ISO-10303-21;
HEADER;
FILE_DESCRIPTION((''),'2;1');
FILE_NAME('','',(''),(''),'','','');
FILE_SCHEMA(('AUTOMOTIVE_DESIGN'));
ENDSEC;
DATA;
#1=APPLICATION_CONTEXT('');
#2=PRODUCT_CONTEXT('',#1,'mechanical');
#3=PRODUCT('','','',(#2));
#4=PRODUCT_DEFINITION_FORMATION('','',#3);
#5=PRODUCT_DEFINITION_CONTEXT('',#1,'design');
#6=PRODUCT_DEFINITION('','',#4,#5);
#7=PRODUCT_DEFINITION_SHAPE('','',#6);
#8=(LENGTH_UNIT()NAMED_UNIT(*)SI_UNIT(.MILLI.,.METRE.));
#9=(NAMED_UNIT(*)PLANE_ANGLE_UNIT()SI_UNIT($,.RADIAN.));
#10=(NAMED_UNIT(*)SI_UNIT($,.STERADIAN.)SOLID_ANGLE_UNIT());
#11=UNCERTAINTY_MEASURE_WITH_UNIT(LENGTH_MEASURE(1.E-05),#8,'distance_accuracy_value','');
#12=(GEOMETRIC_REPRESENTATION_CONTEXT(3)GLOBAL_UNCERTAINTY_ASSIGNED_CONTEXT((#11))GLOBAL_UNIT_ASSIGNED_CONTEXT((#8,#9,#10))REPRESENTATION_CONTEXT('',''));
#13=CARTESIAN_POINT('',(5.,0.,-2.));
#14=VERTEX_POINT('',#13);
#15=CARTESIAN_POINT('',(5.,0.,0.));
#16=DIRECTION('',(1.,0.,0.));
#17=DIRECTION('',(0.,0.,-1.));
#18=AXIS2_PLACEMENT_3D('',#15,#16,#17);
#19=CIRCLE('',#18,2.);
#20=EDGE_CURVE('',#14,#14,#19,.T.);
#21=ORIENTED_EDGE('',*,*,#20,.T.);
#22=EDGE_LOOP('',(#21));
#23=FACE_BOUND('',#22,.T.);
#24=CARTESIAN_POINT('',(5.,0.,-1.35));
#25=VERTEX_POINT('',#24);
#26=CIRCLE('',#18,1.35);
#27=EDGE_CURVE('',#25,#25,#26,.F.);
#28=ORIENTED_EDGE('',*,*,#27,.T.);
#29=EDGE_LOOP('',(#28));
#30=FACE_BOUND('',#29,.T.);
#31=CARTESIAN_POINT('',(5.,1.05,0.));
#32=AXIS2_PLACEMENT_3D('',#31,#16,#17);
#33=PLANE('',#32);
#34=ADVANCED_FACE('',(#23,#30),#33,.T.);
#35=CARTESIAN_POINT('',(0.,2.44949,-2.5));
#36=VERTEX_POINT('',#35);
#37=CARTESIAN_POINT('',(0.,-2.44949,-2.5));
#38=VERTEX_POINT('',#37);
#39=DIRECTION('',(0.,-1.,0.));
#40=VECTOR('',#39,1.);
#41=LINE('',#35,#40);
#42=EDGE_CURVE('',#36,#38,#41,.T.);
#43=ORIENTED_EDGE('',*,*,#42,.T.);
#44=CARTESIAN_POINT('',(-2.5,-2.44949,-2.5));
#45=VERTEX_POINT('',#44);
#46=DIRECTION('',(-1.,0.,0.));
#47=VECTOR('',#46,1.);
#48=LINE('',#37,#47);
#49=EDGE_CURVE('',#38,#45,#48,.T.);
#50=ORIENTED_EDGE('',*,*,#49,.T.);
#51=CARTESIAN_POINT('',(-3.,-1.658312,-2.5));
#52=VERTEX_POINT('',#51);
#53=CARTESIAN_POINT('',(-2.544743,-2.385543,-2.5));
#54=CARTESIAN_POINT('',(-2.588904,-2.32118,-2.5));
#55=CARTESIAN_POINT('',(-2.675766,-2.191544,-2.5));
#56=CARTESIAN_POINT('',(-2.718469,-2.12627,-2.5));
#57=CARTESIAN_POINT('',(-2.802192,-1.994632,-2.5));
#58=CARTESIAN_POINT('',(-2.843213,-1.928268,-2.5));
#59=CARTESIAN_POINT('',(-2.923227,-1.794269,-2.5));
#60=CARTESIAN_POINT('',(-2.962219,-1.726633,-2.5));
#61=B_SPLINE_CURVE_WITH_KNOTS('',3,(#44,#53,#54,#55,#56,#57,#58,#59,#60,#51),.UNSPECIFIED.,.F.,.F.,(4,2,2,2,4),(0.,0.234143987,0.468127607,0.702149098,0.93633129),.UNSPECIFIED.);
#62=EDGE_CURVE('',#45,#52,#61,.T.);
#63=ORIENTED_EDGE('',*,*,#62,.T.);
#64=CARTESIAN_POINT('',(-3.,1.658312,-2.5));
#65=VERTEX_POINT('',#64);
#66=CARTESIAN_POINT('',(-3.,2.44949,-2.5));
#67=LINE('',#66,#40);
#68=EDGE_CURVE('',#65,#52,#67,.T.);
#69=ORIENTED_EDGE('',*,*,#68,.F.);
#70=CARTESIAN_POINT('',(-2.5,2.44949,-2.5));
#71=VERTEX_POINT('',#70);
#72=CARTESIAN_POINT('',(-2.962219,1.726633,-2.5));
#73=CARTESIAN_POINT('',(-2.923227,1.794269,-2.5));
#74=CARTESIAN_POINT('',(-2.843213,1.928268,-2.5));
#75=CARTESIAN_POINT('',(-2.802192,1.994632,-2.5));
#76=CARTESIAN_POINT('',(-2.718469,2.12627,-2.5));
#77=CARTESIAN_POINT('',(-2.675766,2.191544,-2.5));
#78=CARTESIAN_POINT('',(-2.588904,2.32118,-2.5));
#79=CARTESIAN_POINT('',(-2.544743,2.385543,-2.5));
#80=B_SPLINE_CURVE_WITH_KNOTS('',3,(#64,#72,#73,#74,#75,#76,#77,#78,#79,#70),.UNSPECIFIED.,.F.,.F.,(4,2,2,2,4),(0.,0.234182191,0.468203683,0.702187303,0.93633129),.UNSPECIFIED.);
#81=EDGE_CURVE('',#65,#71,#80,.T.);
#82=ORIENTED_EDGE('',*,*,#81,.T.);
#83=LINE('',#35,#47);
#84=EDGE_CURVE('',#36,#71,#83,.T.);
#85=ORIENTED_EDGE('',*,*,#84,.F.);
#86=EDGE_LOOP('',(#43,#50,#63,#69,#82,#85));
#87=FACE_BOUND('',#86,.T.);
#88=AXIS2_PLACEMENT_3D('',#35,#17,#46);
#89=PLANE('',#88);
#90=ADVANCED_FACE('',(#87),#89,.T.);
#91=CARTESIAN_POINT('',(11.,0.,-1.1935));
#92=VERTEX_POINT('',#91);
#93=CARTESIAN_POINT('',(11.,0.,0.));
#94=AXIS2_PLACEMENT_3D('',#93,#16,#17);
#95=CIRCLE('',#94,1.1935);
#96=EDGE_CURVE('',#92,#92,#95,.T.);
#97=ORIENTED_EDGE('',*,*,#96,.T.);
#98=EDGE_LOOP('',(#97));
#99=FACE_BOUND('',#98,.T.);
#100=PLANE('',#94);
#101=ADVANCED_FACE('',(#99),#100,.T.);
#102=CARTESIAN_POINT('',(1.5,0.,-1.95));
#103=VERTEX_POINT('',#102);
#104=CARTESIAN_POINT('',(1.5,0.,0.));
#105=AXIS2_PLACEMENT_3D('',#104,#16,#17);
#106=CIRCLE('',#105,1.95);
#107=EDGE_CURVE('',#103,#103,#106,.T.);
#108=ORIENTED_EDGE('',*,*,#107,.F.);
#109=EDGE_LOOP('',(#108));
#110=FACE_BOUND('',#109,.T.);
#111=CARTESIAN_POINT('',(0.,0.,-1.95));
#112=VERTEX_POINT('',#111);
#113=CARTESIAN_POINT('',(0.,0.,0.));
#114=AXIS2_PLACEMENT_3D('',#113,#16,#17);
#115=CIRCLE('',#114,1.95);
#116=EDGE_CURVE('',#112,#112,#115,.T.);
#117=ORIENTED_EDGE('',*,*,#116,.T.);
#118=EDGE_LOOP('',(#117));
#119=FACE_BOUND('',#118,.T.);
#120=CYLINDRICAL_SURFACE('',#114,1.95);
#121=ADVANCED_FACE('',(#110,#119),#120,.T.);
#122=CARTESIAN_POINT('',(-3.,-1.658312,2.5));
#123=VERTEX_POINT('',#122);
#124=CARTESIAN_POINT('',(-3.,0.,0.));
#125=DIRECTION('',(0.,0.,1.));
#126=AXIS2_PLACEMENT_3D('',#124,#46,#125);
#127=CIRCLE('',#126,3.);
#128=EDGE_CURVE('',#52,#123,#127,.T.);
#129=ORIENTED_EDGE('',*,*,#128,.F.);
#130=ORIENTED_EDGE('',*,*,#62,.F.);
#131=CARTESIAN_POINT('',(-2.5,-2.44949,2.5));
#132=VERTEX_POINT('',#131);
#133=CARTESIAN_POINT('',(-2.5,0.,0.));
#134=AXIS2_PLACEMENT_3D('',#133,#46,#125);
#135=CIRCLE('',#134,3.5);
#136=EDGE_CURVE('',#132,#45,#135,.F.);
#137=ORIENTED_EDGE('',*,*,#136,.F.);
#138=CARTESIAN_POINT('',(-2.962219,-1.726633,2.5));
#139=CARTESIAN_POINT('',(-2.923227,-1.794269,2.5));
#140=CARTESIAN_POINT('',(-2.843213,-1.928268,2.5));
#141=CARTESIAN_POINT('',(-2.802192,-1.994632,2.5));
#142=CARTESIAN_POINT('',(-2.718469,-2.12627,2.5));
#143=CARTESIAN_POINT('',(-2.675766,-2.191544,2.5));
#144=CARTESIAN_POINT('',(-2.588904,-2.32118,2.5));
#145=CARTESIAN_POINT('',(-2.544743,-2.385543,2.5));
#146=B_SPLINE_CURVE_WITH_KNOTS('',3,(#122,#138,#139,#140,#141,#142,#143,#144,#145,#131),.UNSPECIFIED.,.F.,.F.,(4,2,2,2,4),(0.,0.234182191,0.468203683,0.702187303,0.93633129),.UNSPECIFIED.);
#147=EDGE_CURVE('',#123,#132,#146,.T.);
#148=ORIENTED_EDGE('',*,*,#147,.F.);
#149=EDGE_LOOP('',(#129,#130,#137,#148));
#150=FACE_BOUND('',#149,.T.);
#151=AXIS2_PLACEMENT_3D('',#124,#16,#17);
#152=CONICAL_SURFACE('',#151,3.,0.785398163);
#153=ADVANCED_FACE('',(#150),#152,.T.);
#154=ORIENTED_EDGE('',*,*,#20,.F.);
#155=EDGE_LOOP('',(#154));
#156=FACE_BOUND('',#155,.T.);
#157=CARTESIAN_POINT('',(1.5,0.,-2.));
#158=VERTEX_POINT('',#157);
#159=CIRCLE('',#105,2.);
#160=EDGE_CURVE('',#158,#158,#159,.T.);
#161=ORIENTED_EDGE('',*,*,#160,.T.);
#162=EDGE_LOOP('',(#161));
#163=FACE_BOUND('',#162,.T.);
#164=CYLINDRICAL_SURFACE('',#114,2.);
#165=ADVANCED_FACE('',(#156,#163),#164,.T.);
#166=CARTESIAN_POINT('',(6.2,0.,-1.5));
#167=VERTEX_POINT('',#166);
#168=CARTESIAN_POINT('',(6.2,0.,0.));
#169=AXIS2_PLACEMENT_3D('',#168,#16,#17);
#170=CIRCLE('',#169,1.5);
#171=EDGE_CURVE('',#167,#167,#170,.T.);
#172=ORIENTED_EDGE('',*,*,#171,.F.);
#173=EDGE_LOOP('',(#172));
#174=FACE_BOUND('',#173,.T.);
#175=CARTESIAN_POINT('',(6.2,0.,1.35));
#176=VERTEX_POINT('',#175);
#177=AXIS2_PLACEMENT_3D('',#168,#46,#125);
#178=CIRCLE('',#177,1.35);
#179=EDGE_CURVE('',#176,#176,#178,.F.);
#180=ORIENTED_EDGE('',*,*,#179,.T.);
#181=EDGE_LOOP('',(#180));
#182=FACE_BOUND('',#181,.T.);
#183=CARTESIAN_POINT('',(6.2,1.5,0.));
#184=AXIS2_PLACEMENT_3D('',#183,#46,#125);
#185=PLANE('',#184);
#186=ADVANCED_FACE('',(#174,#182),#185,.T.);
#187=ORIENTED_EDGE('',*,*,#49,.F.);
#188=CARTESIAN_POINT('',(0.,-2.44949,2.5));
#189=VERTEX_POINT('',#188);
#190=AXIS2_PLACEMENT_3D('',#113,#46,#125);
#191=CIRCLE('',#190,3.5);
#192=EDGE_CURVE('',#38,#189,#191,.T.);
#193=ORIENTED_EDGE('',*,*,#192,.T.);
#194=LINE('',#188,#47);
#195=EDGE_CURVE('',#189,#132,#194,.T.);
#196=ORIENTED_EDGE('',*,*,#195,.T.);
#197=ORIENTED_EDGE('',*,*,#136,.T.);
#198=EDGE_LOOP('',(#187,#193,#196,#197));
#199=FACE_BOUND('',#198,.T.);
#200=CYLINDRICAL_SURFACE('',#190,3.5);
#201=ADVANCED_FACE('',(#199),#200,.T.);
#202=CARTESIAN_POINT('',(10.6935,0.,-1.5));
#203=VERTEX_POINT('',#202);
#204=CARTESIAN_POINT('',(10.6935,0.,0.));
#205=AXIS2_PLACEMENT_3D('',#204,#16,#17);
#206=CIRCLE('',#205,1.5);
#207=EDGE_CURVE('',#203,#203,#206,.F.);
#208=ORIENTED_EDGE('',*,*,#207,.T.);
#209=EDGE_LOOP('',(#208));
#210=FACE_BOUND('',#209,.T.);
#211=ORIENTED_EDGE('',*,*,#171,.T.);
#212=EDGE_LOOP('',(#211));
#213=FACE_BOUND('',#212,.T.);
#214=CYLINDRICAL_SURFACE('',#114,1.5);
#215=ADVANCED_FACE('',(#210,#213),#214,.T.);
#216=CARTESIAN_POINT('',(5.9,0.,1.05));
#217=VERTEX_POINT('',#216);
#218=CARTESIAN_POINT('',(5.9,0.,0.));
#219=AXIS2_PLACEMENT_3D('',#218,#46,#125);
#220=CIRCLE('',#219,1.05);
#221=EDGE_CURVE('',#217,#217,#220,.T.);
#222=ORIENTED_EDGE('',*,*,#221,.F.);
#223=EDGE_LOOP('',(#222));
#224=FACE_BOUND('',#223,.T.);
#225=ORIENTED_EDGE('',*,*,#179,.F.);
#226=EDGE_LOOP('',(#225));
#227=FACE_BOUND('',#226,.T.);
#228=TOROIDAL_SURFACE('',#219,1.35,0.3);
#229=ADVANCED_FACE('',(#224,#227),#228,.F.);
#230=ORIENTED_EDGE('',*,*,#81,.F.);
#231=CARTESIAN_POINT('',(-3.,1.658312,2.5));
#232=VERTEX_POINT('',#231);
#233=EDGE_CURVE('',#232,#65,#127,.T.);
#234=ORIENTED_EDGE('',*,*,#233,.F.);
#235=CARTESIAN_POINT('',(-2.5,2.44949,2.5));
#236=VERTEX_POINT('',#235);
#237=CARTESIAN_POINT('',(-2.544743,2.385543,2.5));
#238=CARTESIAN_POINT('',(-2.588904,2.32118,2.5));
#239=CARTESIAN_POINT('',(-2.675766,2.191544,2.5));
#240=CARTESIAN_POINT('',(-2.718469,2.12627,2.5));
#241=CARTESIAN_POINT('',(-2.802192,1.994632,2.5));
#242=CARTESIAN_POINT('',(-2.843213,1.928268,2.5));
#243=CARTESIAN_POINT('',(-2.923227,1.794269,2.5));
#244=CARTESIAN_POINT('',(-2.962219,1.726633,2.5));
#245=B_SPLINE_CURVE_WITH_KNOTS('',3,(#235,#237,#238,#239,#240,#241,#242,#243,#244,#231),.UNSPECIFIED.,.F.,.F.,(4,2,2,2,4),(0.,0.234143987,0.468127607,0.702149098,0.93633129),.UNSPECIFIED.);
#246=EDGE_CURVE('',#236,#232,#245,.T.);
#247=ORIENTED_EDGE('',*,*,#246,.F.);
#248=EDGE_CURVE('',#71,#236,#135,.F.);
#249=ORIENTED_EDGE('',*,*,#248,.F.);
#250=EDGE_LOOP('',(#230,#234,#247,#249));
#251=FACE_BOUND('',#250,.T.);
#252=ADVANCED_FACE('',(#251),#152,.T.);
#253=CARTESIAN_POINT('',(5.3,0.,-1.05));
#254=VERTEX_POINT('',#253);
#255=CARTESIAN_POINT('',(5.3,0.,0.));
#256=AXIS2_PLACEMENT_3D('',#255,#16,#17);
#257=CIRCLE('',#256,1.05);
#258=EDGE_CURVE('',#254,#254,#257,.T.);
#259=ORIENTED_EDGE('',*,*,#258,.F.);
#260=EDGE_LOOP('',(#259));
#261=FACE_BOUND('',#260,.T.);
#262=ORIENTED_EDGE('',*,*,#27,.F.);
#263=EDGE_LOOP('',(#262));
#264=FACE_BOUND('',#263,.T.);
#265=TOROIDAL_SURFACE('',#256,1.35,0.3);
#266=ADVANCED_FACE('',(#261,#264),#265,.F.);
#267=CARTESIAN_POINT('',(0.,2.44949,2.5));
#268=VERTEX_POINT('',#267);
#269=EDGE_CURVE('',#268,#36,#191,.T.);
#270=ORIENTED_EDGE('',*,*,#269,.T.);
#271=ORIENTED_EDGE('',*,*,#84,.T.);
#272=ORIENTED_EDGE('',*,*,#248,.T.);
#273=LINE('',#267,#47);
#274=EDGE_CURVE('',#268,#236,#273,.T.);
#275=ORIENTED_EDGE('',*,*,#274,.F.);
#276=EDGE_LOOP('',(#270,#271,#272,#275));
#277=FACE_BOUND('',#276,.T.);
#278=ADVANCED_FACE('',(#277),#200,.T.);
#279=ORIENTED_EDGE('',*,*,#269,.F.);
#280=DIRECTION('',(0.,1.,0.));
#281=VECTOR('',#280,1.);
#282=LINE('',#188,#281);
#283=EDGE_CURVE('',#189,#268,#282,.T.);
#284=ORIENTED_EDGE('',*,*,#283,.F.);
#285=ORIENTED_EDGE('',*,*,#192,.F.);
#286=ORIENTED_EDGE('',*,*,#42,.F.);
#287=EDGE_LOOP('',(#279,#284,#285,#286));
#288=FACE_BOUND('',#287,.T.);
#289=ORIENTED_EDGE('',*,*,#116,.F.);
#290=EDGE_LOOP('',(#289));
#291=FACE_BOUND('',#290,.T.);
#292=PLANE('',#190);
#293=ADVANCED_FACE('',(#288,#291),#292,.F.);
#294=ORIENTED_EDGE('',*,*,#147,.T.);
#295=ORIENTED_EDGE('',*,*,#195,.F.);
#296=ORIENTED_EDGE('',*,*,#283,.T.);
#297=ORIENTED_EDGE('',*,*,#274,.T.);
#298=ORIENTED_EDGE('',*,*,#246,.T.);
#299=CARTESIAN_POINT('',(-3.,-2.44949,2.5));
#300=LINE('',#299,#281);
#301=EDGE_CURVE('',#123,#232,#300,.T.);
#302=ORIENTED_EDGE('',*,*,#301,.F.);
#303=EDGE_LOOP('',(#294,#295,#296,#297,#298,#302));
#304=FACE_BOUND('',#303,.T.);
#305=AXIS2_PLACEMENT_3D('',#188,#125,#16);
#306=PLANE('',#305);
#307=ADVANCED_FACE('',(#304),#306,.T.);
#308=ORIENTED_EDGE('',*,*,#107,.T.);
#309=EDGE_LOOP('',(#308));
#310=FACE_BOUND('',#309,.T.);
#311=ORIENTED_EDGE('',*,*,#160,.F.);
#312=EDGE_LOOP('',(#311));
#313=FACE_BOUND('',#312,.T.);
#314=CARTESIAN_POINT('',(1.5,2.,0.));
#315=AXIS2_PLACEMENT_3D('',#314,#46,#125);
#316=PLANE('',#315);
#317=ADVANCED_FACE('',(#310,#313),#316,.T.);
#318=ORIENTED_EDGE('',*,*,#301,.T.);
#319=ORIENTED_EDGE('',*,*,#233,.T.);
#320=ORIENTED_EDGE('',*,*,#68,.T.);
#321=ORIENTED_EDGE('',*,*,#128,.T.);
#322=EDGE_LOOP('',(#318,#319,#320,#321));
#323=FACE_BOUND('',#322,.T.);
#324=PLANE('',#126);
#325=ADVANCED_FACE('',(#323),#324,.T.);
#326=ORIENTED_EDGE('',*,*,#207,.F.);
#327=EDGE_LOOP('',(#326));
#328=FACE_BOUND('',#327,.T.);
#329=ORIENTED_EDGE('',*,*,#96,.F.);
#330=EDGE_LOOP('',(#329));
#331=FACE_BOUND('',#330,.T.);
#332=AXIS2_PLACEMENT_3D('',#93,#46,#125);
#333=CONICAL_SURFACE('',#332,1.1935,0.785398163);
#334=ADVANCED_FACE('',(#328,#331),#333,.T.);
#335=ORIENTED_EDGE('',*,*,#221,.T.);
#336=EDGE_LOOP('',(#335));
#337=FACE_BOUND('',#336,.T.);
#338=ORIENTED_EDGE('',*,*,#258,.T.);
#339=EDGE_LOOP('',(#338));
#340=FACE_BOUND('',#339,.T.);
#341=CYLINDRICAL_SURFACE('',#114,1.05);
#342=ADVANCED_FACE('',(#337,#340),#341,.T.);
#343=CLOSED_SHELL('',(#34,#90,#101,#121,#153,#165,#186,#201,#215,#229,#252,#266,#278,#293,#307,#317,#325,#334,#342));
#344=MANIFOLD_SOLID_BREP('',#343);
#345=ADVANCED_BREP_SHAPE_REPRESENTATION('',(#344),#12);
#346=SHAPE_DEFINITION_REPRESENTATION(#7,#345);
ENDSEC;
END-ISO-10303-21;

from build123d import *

# Parameters (mm, degrees)
EXTRUDE_1_DEPTH = 3
CHAMFER_1_SIZE  = 0.3065
CHAMFER_2_SIZE  = 0.5
FILLET_1_R      = 0.3


with BuildPart() as part:
    # 草圖1 → 填料-伸長1 (new body)
    with BuildSketch(Plane(origin=(-3, 0, 0), x_dir=(0, -1, 0), z_dir=(-1, 0, 0))):
        with BuildLine():
            Line((2.449489743, 2.5), (-2.449489743, 2.5))
            ThreePointArc((-2.449489743, 2.5), (-3.5, 0), (-2.449489743, -2.5))
            Line((-2.449489743, -2.5), (2.449489743, -2.5))
            ThreePointArc((2.449489743, -2.5), (3.5, 0), (2.449489743, 2.5))
        make_face()
    extrude(amount=-EXTRUDE_1_DEPTH)

    # 草圖2 → 旋轉1 (revolve)
    with BuildSketch(Plane.XY, mode=Mode.PRIVATE) as revolve_1_sk:
        Polygon((0, 1.95), (0, 0), (11, 0), (11, 1.5), (6.2, 1.5), (6.2, 1.05), (5, 1.05), (5, 2), (1.5, 2), (1.5, 1.95), align=None)
    revolve(revolve_1_sk.sketch.rotate(Axis((0, 0, 0), (1, 0, 0)), 270), axis=Axis((0, 0, 0), (1, 0, 0)))

    # 導角1
    chamfer_1_edges = [part.edges().sort_by_distance(p)[0] for p in [
        (11, 0, 1.5),
    ]]
    chamfer(chamfer_1_edges, length=CHAMFER_1_SIZE)

    # 導角2
    chamfer_2_edges = [part.edges().sort_by_distance(p)[0] for p in [
        (-3, 3.5, 0),
        (-3, -3.5, 0),
    ]]
    chamfer(chamfer_2_edges, length=CHAMFER_2_SIZE)

    # 圓角1
    fillet_1_edges = [part.edges().sort_by_distance(p)[0] for p in [
        (6.2, 0, 1.05),
        (5, 0, 1.05),
    ]]
    fillet(fillet_1_edges, radius=FILLET_1_R)


solid = part.part
